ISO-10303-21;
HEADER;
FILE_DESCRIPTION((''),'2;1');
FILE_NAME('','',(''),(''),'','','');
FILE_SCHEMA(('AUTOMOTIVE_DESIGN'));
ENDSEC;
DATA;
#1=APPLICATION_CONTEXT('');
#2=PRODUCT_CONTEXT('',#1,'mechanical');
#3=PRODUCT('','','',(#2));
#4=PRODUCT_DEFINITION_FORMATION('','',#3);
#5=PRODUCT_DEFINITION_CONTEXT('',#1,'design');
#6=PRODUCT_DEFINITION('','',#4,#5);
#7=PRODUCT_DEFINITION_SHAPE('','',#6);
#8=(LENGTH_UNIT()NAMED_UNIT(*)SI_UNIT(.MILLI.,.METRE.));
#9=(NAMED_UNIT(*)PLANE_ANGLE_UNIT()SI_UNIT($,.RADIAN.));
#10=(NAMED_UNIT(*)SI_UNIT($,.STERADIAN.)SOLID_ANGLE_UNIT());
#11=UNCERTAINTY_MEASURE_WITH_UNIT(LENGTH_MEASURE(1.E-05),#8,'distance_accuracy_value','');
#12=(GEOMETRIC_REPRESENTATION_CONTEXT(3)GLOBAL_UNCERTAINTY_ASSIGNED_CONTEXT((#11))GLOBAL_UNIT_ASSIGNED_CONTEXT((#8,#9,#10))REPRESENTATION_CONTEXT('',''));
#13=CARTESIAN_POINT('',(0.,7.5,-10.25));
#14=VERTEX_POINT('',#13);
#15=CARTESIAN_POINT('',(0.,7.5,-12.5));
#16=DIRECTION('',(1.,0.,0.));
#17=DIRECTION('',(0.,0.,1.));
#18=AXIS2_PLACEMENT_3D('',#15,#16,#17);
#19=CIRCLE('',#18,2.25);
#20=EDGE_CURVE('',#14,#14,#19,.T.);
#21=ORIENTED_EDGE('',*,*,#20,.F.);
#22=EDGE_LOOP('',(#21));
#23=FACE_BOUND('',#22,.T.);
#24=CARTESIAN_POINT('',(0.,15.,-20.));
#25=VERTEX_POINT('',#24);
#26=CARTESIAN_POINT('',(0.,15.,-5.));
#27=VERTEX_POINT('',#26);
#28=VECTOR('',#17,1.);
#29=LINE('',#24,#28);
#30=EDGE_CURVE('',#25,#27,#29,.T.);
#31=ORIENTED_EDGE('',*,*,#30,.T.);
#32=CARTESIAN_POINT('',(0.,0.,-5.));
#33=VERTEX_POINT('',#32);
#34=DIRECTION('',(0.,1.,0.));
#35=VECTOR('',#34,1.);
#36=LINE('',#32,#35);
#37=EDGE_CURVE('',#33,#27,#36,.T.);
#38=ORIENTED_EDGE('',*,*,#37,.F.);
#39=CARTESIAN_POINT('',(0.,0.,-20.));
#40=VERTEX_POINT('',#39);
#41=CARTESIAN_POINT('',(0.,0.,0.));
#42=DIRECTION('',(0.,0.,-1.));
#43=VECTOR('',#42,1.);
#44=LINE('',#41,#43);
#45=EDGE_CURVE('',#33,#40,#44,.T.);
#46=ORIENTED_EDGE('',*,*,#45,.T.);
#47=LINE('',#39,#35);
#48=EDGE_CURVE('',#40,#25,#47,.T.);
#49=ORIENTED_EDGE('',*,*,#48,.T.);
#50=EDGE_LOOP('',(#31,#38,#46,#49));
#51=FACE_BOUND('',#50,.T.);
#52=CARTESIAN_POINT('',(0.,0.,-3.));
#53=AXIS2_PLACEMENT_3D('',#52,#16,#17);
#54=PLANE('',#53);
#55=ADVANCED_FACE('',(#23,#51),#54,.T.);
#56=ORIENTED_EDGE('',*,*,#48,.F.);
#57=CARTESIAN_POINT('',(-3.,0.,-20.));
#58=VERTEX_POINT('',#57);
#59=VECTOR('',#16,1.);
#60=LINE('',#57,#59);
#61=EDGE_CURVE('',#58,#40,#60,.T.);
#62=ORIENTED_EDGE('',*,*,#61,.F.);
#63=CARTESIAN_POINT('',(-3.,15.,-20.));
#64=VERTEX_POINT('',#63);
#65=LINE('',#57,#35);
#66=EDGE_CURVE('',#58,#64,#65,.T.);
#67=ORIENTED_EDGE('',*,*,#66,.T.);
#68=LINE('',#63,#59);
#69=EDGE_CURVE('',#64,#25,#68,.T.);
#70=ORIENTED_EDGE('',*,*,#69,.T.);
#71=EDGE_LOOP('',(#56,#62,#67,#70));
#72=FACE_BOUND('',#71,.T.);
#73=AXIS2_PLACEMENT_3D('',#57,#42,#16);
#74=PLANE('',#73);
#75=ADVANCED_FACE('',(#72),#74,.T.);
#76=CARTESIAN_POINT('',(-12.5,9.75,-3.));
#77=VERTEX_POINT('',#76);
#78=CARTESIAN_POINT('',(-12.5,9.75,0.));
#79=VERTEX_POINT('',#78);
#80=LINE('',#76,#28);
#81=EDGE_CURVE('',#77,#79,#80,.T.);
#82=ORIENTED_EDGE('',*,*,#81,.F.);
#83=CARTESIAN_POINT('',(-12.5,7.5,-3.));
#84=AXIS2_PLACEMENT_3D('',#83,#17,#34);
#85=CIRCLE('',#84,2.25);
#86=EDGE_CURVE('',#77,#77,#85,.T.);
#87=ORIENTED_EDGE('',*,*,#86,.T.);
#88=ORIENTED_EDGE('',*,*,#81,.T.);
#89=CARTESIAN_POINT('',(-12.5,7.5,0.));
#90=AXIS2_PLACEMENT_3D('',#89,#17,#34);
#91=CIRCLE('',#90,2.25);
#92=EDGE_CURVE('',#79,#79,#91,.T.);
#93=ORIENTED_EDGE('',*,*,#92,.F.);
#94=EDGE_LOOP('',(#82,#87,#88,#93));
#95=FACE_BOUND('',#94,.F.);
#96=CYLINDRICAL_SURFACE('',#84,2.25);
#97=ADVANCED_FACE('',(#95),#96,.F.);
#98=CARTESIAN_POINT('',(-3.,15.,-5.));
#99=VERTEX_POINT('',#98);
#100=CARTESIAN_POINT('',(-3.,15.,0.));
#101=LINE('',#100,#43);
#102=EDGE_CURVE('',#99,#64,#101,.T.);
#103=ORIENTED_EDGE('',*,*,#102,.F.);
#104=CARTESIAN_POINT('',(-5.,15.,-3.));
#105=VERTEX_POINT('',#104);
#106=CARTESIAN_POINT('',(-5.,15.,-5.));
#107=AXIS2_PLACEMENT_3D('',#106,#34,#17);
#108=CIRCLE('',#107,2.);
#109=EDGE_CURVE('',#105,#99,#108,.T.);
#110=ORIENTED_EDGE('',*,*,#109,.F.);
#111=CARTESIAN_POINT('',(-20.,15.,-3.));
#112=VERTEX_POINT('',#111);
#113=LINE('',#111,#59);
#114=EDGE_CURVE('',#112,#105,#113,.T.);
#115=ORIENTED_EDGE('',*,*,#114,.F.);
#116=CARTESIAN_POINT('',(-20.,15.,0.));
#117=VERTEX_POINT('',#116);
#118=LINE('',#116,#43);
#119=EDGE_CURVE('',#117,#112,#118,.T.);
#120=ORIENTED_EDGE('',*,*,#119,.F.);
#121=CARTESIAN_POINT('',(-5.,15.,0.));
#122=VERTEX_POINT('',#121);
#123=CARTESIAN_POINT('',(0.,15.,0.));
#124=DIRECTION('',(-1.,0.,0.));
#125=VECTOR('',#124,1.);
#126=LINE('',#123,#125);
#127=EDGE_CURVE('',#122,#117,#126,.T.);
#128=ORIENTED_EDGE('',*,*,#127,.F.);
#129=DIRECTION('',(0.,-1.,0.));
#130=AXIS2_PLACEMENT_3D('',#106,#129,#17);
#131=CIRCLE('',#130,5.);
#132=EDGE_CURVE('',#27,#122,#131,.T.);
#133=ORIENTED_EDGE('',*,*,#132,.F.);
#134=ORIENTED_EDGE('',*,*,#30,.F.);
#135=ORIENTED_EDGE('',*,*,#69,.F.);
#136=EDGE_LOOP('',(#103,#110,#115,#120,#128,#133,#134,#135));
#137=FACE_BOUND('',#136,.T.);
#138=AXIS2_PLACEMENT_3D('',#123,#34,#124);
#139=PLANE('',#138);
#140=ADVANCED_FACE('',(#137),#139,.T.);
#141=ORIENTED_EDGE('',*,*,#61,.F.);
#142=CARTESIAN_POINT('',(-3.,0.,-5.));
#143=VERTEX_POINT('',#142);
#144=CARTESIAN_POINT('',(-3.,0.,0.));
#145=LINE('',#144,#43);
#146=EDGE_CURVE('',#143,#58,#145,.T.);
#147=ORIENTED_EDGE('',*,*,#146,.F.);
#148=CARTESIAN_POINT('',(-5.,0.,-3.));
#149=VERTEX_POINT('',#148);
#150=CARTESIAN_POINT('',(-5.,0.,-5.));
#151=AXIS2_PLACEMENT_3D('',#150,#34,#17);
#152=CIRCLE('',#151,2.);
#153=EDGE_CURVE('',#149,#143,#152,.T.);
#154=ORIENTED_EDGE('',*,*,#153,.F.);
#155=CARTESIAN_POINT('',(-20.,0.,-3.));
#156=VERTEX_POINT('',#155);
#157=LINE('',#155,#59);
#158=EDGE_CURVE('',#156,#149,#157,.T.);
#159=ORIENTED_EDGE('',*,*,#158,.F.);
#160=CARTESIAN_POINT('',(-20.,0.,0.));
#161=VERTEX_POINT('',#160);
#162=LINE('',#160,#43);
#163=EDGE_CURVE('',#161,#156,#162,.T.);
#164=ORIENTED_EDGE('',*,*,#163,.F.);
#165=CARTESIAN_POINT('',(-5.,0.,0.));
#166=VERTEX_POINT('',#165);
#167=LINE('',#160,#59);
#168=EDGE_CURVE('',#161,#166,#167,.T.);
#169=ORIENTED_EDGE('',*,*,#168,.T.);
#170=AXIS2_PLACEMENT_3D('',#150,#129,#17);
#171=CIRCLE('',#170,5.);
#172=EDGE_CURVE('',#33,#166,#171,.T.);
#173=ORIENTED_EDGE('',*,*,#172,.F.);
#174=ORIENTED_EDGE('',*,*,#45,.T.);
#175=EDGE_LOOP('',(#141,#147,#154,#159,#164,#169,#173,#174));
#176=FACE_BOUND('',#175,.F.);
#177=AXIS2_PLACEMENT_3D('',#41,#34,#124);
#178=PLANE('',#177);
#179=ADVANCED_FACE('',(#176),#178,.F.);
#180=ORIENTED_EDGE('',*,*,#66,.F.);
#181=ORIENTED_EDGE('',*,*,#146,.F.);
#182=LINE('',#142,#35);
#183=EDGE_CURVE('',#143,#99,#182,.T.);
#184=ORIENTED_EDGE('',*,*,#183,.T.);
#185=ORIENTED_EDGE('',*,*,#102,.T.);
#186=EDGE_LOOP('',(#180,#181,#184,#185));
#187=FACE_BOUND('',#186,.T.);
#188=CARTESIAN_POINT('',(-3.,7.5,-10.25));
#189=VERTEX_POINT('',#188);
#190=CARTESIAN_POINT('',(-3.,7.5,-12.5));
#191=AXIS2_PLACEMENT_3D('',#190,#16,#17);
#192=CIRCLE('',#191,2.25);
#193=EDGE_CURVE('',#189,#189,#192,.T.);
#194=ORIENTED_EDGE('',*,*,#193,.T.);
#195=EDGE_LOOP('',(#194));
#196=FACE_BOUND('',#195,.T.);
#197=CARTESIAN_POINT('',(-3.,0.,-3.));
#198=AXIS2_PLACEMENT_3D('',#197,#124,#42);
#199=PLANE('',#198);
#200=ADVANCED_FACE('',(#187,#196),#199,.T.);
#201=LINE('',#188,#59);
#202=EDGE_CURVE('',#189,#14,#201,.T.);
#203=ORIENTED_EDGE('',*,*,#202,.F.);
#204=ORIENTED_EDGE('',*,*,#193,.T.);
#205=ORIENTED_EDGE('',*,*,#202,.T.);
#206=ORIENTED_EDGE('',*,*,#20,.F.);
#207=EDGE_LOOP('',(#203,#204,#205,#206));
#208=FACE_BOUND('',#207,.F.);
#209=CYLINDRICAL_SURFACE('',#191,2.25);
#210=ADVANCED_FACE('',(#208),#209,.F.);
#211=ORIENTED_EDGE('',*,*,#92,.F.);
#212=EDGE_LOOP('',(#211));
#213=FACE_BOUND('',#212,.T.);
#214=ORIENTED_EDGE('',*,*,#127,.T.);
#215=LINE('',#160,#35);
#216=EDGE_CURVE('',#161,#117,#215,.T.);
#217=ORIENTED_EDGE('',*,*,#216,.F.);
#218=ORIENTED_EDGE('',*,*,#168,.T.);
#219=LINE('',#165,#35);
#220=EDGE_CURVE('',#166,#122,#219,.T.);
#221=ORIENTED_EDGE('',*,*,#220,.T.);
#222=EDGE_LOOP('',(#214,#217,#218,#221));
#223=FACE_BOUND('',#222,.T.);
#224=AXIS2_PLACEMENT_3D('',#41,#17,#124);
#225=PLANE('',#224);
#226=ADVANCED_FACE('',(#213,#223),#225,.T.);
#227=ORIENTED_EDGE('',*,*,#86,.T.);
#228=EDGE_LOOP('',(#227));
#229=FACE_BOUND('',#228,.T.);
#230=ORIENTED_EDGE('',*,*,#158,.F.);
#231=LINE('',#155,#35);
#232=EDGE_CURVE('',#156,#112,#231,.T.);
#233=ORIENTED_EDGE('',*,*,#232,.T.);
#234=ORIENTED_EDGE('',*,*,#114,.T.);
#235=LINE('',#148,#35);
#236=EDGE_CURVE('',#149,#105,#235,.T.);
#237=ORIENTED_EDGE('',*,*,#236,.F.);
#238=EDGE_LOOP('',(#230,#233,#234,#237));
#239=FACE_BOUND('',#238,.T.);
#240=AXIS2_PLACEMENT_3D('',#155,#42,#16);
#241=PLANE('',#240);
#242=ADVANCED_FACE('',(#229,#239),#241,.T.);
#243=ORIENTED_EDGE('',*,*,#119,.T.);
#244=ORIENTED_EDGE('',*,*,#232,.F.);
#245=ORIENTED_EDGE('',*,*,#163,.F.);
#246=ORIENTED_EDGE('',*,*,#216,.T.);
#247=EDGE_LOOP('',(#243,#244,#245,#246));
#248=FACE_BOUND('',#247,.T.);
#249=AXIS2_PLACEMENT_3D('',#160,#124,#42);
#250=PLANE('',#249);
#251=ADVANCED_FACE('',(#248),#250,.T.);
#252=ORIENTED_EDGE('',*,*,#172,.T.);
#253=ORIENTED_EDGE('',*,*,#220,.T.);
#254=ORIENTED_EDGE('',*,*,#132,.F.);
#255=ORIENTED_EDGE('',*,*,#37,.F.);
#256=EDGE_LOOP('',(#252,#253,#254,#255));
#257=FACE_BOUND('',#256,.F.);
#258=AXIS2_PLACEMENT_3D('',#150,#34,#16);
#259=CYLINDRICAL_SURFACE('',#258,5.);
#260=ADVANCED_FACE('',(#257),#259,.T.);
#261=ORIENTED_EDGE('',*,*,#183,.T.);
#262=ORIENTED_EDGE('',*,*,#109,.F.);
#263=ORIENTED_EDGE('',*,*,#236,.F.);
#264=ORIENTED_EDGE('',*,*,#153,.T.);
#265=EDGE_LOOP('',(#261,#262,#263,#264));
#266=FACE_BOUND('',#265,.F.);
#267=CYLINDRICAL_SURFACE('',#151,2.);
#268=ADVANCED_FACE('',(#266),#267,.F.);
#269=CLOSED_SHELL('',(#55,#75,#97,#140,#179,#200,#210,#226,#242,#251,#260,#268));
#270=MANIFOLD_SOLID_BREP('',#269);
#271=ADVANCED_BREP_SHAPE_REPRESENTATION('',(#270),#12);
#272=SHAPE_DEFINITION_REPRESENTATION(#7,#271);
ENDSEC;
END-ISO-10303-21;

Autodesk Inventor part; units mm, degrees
ref_plane "YZ Plane" through (0, 0, 0) normal (1, 0, 0) x (0, 1, 0)
ref_plane "XZ Plane" through (0, 0, 0) normal (0, 1, 0) x (-1, 0, 0)
ref_plane "XY Plane" through (0, 0, 0) normal (0, 0, 1) x (1, 0, 0)
sketch "Sketch1" plane through (0, 0, 0) normal (0, 1, 0) x (-1, 0, 0)
  line L0 (0, 0) -> (20, 0)
  line L1 (20, 0) -> (20, -3)
  line L2 (20, -3) -> (0, -3)
  line L3 (0, -3) -> (0, 0)
  line L4 (0, 0) -> (3, 0)
  line L5 (3, 0) -> (3, -20)
  line L6 (3, -20) -> (0, -20)
  line L7 (0, -20) -> (0, 0)
  dimension "d0" = 3
  dimension "d1" = 3
  dimension "d2" = 20
  dimension "d3" = 20
extrude "Extrusion1" add sketch "Sketch1" along normal blind 15
fillet "Fillet1" radius 2 1 edges at (-3, 7.5, -3)
fillet "Fillet2" radius 5 1 edges at (0, 7.5, 0)
sketch "Sketch2" plane through (-3, 0, -20) normal (-1, 0, 0) x (0, 0, 1)
  line L0 (0, 15) -> (15, 15) projected
  line L1 (0, 0) -> (15, 0) projected
  line L2 (0, 0) -> (0, 15) projected
  point P0 (20, 0)
  point P1 (7.5, 7.5)
  dimension "d9" = 7.5
  dimension "d29" = 7.5
hole "Hole1" at (-3, 7.5, -12.5) direction (1, 0, 0) diameter 4.5 end through all clearance for "Socket Head Cap Screw" size "M4" standard "Ansi Metric M Profile"
sketch "Sketch3" plane through (-20, 0, -3) normal (0, 0, -1) x (-1, 0, 0)
  line L0 (-15, 15) -> (0, 15) projected
  line L1 (-15, 0) -> (0, 0) projected
  line L2 (0, 0) -> (0, 15) projected
  point P0 (-20, 0)
  point P1 (-7.5, 7.5)
  dimension "d20" = 7.5
  dimension "d30" = 7.5
hole "Hole2" at (-12.5, 7.5, -3) direction (0, 0, 1) diameter 4.5 end through all clearance for "Socket Head Cap Screw" size "M4" standard "Ansi Metric M Profile"
equation "\"d1\" = d0"
equation "\"d3\" = d2"
properties part number "Pancake_Angle Bracket" material "Aluminum 6061"
